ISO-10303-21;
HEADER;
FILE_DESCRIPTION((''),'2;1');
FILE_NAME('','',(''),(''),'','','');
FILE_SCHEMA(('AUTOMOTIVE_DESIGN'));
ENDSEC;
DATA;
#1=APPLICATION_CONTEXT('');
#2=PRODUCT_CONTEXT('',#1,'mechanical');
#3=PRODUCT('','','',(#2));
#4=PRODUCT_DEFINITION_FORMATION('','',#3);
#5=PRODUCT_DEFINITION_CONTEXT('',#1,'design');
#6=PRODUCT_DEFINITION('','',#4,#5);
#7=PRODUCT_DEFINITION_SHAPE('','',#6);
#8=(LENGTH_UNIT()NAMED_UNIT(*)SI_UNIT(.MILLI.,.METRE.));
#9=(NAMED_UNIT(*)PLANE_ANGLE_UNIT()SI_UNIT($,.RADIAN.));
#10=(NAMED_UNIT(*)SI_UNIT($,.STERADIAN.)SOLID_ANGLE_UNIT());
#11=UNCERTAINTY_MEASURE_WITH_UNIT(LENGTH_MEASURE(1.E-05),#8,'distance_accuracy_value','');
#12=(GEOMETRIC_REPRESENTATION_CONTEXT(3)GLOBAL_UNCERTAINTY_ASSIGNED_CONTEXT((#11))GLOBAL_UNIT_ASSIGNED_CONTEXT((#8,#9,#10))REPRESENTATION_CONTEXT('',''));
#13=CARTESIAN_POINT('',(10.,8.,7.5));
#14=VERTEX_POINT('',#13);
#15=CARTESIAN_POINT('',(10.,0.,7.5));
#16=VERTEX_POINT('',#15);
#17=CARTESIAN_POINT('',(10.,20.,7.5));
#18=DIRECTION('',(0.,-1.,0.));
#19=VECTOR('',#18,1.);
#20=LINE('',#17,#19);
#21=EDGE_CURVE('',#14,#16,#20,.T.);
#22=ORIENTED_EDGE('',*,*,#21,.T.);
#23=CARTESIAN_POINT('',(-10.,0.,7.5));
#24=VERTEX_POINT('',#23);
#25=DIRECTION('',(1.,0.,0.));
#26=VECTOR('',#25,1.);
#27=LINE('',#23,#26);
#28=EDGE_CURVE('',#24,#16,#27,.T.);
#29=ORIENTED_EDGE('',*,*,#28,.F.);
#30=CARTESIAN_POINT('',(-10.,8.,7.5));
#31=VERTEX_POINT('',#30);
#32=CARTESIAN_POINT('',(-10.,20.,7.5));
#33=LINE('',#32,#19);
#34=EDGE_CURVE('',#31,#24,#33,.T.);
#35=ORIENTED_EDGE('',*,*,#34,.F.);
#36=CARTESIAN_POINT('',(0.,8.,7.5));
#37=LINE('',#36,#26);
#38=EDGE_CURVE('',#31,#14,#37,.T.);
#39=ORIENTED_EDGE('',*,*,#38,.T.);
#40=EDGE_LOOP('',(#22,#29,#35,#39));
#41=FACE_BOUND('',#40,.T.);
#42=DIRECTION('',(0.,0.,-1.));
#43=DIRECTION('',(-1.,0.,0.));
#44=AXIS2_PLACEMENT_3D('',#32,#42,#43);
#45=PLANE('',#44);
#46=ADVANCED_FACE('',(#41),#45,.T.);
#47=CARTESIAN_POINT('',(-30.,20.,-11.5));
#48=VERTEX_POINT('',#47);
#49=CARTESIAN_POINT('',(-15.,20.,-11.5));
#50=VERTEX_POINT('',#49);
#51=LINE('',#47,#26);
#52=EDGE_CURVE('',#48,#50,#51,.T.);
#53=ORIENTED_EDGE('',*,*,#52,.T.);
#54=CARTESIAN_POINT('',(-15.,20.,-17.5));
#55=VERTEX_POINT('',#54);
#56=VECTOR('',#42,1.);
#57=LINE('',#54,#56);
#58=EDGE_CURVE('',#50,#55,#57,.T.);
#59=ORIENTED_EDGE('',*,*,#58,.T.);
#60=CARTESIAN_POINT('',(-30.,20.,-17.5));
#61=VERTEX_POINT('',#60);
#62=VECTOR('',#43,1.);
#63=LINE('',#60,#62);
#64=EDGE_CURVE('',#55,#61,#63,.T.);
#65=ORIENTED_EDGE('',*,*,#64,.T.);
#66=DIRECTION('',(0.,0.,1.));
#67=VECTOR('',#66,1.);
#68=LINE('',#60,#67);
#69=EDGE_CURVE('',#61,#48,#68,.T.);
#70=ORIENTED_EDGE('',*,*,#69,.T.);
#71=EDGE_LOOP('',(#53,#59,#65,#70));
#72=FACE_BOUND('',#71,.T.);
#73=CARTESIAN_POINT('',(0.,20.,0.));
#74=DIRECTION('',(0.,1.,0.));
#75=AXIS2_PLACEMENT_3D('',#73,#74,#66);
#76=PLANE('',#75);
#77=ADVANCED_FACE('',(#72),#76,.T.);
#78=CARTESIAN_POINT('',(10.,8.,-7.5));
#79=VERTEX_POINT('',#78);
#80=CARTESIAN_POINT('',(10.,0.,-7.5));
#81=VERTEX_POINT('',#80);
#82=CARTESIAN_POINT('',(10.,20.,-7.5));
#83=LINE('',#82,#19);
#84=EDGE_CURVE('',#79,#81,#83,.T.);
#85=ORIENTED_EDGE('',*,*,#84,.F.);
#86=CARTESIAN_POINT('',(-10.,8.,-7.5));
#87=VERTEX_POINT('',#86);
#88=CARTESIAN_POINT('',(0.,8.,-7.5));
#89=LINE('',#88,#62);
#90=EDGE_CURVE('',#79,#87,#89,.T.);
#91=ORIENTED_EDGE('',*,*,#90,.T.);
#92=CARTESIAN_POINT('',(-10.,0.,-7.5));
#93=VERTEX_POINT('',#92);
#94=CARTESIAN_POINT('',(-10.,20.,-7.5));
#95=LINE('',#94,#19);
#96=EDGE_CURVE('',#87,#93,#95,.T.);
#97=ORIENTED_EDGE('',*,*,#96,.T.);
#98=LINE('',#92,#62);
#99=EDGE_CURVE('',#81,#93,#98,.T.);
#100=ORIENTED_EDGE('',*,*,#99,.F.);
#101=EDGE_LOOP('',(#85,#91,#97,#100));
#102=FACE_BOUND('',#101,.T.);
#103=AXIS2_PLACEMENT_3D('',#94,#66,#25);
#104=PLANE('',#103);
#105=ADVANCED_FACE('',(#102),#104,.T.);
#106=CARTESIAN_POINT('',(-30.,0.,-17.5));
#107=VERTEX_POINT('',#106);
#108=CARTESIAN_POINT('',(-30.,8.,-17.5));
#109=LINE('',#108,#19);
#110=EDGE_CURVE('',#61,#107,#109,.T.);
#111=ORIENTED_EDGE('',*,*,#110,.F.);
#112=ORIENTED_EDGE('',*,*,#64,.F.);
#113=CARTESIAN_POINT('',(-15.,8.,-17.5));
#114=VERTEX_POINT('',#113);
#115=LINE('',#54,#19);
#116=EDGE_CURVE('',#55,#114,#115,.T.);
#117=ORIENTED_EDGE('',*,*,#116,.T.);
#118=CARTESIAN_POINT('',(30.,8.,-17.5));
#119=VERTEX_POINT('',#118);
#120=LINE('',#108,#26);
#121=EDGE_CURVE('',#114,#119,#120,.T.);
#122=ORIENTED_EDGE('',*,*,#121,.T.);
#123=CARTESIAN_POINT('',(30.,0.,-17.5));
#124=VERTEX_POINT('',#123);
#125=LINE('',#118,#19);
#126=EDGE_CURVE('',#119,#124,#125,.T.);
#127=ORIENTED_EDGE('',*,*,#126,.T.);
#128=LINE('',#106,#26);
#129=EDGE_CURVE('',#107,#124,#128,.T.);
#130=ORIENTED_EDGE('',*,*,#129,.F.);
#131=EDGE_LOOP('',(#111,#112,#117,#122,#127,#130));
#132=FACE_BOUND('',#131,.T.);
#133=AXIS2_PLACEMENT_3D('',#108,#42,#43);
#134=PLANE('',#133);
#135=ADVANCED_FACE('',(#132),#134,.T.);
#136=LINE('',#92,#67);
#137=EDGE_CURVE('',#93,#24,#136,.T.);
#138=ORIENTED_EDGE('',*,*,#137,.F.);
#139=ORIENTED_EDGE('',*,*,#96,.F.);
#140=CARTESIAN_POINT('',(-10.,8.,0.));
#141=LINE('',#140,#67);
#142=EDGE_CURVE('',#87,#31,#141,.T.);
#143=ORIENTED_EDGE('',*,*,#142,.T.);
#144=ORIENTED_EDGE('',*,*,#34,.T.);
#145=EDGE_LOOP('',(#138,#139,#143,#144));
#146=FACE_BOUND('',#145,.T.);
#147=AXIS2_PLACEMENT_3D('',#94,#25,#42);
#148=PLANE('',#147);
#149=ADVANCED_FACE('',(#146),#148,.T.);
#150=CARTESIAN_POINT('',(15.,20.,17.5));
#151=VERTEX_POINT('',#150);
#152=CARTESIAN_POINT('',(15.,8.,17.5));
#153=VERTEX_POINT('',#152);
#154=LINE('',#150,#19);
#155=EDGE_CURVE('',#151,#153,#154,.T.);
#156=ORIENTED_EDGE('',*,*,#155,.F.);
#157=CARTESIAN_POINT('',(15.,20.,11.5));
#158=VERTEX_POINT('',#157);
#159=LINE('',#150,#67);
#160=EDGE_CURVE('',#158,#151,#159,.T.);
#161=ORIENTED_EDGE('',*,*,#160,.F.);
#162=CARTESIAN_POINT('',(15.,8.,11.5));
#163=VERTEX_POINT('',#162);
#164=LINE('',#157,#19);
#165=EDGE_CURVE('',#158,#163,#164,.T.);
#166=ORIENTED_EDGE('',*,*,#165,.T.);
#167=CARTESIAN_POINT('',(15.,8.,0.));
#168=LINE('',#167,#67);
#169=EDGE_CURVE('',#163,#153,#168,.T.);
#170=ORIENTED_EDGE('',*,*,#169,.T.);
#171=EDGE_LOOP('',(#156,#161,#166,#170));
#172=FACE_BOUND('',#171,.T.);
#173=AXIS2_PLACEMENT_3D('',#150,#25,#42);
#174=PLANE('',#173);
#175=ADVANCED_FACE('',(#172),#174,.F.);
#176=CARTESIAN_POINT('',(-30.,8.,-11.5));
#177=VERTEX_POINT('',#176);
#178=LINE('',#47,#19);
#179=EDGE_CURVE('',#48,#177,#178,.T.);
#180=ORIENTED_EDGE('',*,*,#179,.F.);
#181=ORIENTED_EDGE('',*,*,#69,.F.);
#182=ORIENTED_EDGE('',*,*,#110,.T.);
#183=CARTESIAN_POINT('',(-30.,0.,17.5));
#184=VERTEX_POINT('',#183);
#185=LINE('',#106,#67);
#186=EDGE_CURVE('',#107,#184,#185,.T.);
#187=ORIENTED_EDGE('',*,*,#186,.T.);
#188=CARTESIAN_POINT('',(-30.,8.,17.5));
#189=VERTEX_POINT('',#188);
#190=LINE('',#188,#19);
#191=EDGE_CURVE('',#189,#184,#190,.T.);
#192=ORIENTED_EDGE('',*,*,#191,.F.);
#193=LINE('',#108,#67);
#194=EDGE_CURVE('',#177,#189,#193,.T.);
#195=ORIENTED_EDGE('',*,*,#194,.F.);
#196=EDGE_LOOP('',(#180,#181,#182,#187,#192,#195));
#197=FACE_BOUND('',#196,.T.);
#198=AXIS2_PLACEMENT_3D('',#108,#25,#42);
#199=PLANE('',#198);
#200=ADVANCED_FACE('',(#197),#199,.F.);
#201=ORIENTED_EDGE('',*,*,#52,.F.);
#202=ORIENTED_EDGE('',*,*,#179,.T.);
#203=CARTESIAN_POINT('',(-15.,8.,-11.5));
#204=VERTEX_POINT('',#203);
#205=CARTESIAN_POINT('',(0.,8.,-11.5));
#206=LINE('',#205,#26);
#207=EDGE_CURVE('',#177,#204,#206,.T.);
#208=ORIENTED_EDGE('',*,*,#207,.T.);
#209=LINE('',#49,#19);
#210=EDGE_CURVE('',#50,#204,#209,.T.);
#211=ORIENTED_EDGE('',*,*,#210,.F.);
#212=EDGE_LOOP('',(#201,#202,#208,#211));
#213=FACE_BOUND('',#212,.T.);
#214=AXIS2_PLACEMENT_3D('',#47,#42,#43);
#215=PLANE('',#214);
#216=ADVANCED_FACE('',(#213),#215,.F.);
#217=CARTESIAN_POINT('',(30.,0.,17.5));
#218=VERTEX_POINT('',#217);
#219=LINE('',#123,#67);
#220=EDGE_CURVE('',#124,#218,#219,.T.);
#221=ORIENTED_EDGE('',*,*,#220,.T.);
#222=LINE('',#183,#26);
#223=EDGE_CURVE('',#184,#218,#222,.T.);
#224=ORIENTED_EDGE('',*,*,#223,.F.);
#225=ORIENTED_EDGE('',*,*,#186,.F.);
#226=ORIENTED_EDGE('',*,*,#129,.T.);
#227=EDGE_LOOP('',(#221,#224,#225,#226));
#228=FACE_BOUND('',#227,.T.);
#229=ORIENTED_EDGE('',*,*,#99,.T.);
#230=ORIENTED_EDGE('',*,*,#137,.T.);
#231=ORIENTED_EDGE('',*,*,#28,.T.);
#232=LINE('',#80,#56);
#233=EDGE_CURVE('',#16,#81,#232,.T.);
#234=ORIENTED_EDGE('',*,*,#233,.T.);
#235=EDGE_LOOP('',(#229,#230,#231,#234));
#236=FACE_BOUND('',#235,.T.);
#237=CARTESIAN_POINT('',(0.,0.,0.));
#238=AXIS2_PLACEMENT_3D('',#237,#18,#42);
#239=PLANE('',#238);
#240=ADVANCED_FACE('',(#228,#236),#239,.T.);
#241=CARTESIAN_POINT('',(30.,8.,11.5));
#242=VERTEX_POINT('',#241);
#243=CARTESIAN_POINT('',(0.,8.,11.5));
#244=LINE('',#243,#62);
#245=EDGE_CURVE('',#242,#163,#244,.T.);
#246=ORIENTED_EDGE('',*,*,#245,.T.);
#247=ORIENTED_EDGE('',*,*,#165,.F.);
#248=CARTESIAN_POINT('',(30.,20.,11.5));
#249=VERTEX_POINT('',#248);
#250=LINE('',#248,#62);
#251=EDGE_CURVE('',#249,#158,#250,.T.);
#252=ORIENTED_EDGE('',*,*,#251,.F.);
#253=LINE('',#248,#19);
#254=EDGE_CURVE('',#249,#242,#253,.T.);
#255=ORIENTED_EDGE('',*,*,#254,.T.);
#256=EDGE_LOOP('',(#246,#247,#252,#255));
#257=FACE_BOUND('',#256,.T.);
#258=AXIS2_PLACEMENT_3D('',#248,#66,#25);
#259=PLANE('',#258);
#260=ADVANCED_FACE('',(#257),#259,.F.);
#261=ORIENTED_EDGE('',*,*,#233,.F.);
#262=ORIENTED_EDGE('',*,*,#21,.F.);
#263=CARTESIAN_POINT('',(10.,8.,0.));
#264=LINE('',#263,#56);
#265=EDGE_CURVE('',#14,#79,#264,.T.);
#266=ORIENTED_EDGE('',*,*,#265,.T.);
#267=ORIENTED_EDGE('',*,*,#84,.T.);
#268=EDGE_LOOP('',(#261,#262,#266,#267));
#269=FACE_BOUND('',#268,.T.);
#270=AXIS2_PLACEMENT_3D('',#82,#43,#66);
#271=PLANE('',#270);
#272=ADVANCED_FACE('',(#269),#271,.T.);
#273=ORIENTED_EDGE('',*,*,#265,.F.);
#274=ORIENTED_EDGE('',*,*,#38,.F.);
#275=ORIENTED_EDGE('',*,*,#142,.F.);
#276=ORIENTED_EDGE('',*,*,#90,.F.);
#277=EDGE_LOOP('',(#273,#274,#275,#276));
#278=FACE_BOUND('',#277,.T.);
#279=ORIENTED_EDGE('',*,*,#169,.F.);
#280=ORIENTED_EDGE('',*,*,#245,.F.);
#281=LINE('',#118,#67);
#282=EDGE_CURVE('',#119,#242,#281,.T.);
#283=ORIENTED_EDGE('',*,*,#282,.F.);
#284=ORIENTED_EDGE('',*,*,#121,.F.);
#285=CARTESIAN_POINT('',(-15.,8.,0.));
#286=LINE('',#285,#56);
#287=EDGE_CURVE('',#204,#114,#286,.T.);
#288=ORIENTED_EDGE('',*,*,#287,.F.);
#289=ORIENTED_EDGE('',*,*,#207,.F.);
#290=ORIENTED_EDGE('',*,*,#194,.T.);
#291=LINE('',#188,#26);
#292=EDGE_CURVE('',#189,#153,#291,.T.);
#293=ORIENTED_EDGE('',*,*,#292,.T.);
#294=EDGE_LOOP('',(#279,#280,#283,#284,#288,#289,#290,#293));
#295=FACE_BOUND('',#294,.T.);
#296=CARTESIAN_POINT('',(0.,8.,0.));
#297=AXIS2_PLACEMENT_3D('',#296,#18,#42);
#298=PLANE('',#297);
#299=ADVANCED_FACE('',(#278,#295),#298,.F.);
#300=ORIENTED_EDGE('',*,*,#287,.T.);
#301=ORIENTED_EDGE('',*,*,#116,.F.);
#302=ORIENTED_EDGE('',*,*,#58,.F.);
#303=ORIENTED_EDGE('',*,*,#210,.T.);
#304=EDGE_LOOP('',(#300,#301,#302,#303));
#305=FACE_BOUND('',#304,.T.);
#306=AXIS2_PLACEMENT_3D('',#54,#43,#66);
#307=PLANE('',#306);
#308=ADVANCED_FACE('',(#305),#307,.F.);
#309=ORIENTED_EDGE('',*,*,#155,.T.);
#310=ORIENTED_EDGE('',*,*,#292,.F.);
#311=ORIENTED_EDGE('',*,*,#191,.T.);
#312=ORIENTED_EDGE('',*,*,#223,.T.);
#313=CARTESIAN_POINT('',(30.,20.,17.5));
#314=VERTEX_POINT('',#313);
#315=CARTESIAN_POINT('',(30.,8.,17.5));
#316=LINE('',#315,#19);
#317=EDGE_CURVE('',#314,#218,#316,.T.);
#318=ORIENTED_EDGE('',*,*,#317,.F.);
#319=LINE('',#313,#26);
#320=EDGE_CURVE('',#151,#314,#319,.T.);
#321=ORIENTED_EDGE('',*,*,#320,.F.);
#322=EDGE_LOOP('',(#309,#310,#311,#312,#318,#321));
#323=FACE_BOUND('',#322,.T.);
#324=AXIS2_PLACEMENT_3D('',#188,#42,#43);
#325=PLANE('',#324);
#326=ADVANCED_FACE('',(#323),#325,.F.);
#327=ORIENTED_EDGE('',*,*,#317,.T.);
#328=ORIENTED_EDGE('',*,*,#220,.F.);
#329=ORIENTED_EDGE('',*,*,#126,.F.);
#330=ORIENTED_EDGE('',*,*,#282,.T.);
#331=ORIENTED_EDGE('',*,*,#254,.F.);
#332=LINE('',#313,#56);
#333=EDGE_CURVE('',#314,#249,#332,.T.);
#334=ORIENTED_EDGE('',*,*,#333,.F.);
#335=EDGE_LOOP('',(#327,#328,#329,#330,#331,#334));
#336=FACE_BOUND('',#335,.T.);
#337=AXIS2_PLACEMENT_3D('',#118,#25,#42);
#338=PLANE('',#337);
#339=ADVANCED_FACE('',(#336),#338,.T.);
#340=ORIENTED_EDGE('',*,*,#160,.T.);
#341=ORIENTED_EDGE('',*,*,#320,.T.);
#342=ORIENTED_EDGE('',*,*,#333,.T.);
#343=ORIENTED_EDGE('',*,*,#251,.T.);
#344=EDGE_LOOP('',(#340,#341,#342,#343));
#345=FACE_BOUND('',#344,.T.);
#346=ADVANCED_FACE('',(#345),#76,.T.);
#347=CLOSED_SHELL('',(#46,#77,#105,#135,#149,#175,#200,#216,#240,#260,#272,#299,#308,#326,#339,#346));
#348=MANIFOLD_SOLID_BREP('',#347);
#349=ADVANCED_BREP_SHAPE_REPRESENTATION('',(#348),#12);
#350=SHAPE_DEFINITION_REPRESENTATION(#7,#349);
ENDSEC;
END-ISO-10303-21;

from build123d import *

# Parameters (mm, degrees)
SKETCH1_W           = 60
SKETCH1_H           = 35
BOSS_EXTRUDE1_DEPTH = 8
SKETCH2_W           = 15
SKETCH2_H           = 6
BOSS_EXTRUDE2_DEPTH = 20
SKETCH3_W           = 20
SKETCH3_H           = 15
CUT_EXTRUDE2_DEPTH  = 41.078048855


with BuildPart() as part:
    # Sketch1 → Boss-Extrude1 (new body)
    with BuildSketch(Plane(origin=(0, 0, 0), x_dir=(1, 0, 0), z_dir=(0, 1, 0))):
        Rectangle(SKETCH1_W, SKETCH1_H)
    extrude(amount=BOSS_EXTRUDE1_DEPTH)

    # Sketch2 → Boss-Extrude2 (add)
    with BuildSketch(Plane(origin=(0, 0, 0), x_dir=(1, 0, 0), z_dir=(0, 1, 0))):
        with Locations((-22.5, 14.5)):
            Rectangle(SKETCH2_W, SKETCH2_H)
        with Locations((22.5, -14.5)):
            Rectangle(SKETCH2_W, SKETCH2_H)
    extrude(amount=BOSS_EXTRUDE2_DEPTH)

    # Sketch3 → Cut-Extrude2 (cut, through all)
    with BuildSketch(Plane(origin=(0, 0, 0), x_dir=(1, 0, 0), z_dir=(0, 1, 0))):
        Rectangle(SKETCH3_W, SKETCH3_H)
    extrude(amount=CUT_EXTRUDE2_DEPTH, mode=Mode.SUBTRACT)


solid = part.part
